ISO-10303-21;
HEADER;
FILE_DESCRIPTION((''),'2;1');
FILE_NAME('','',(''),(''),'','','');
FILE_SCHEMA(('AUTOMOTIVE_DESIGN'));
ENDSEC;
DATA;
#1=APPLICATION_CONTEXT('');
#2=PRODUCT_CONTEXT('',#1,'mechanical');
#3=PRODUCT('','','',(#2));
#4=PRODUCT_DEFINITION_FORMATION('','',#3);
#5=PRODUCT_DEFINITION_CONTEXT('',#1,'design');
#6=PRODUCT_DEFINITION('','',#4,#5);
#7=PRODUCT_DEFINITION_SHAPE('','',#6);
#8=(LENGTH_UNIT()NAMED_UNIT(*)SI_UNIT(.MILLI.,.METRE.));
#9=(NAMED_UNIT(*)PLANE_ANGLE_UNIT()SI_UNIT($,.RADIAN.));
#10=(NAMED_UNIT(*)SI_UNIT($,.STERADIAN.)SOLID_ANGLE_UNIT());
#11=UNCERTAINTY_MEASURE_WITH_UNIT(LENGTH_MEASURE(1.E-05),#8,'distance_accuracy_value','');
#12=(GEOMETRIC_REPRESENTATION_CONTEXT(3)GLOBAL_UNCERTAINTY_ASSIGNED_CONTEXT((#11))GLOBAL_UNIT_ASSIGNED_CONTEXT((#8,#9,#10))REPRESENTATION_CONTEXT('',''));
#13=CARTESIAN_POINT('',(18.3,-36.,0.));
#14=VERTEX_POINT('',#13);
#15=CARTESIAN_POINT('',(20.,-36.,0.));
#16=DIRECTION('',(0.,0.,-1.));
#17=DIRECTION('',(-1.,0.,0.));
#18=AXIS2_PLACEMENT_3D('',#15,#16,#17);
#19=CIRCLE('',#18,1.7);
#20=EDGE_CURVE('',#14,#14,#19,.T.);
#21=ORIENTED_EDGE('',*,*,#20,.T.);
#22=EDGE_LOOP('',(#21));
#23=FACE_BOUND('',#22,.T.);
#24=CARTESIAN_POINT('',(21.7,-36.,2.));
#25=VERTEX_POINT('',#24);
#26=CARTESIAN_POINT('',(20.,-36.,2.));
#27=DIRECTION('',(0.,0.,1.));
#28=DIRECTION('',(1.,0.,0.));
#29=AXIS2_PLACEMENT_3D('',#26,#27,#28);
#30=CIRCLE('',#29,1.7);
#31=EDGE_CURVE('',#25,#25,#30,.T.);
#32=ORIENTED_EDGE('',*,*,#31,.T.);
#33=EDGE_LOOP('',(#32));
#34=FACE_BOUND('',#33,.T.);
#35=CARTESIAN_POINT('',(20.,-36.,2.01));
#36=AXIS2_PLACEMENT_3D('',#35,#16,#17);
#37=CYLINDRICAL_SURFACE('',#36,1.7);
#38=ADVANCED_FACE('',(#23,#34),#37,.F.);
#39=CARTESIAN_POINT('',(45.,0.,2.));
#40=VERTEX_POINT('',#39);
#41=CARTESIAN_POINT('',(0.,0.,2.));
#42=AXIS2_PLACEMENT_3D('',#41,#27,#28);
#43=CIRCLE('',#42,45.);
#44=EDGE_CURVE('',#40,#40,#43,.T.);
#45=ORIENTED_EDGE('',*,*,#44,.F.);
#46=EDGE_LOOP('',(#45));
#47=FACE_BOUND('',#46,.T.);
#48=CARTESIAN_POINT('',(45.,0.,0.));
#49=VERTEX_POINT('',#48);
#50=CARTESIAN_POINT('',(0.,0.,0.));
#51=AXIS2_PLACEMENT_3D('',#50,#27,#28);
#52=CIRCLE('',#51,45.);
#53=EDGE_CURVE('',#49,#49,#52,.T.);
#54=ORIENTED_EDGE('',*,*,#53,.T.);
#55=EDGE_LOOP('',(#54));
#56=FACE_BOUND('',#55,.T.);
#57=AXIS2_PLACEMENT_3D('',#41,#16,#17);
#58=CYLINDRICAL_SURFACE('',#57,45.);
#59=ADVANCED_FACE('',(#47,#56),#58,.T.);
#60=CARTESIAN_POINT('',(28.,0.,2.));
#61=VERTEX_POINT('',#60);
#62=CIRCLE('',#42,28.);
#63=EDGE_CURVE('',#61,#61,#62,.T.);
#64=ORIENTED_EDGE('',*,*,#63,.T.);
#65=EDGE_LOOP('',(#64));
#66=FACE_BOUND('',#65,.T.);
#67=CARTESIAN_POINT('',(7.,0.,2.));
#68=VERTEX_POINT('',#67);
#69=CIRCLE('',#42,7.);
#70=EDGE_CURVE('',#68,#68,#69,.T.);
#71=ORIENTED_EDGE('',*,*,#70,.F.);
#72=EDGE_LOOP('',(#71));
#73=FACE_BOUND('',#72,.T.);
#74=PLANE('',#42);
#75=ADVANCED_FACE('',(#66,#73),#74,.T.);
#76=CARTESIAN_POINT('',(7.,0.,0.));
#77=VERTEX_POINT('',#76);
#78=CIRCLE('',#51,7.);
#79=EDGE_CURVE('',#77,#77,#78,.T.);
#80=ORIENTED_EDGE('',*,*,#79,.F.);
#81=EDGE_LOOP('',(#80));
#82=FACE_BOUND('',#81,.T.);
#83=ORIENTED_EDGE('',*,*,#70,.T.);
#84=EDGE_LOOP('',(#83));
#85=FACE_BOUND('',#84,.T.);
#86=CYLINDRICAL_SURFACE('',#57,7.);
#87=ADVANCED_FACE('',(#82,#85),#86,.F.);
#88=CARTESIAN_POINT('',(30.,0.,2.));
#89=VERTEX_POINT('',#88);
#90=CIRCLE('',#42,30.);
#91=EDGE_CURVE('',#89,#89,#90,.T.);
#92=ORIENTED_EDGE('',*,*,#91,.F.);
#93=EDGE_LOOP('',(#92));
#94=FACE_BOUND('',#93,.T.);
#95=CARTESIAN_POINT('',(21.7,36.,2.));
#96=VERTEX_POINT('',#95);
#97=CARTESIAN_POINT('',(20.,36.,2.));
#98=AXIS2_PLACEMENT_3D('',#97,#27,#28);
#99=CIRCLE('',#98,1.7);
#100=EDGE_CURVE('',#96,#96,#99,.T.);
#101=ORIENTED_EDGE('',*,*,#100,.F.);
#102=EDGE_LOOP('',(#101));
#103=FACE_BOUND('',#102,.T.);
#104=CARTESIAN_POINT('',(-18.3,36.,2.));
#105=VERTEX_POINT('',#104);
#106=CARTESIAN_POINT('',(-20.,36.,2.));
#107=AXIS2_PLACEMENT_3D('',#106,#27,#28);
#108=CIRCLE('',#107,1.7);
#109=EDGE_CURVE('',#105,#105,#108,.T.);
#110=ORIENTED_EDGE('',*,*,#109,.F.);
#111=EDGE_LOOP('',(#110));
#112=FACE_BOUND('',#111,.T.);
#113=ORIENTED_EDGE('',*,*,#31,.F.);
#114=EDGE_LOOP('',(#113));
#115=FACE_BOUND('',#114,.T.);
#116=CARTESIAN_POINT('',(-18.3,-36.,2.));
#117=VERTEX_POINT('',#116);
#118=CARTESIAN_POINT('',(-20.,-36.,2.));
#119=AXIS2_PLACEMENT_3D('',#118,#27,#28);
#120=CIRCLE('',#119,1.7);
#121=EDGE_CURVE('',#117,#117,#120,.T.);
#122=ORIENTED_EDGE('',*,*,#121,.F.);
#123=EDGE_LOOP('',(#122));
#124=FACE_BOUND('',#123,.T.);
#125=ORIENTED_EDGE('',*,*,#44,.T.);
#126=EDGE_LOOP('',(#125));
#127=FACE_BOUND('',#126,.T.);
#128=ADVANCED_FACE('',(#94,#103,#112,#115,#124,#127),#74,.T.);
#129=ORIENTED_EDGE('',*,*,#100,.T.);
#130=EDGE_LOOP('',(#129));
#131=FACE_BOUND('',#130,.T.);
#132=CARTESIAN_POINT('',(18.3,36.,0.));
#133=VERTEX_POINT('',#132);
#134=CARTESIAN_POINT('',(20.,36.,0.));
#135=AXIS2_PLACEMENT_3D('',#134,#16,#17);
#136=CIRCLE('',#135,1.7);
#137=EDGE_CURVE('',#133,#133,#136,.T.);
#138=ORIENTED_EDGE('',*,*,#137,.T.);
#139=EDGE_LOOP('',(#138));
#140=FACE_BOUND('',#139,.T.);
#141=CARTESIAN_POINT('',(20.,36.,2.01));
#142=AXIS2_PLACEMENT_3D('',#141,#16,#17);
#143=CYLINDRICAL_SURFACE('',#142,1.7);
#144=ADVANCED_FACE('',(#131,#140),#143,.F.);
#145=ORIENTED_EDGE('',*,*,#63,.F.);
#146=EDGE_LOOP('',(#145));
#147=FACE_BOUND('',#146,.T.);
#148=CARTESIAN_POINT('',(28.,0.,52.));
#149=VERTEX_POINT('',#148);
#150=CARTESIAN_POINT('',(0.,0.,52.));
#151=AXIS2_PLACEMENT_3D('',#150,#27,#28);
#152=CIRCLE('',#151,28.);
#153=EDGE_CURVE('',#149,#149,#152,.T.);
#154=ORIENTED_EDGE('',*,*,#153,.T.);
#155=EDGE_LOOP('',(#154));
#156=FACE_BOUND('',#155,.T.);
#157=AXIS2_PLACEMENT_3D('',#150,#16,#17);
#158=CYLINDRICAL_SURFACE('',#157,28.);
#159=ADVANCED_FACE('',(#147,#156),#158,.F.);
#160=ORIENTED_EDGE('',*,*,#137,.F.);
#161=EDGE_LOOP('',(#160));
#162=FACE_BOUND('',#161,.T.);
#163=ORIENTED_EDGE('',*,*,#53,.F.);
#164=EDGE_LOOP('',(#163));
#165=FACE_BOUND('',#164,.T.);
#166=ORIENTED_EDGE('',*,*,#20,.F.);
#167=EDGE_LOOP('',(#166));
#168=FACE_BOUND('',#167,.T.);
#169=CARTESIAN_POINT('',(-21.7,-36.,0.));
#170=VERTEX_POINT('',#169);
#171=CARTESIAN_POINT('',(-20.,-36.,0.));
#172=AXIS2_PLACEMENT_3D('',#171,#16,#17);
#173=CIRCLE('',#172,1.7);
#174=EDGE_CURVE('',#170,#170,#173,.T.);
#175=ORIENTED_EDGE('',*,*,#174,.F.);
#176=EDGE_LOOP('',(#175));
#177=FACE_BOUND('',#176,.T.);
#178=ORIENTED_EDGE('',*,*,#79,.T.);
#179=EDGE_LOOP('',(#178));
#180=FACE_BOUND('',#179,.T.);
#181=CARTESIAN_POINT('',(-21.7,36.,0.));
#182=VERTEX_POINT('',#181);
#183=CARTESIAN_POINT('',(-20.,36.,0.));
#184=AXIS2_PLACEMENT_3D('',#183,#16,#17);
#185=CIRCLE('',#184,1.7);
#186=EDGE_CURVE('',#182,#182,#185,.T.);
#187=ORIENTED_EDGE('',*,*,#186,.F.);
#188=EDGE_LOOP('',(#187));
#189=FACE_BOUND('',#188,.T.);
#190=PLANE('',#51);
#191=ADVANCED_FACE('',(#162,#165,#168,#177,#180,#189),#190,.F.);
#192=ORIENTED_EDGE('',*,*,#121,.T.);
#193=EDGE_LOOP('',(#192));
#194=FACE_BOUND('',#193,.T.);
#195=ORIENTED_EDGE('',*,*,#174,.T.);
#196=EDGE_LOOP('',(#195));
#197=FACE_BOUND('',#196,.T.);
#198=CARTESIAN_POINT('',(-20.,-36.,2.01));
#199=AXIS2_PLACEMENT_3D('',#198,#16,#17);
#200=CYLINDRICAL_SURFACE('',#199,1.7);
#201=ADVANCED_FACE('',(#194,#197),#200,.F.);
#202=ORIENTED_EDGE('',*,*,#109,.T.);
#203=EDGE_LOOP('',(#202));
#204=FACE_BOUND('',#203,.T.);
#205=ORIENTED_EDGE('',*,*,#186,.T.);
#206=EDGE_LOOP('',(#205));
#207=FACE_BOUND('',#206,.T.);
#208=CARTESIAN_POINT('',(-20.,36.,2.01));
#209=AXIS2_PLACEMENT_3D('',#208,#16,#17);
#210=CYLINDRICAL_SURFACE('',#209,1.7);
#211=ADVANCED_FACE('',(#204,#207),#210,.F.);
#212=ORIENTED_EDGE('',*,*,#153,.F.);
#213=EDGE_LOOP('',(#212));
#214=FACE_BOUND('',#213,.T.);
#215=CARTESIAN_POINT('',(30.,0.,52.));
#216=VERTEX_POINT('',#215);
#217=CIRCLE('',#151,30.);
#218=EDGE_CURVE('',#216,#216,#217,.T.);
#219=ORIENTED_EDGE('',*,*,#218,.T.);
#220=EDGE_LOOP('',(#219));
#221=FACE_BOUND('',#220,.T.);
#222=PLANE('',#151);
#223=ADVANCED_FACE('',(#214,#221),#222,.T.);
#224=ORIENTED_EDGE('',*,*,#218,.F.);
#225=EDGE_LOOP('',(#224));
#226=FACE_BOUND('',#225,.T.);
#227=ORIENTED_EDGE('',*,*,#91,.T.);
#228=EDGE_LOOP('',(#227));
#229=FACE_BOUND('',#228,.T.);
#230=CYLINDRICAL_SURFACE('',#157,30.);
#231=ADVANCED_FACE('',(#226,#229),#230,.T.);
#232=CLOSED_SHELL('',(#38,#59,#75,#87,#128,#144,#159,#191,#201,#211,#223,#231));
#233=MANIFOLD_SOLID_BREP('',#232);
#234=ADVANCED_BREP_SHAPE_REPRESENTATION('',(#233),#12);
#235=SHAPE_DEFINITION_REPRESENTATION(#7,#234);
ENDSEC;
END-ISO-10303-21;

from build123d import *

# Parameters (mm, degrees)
SKETCH1_R                        = 45
SKETCH1_R_2                      = 7
GUARD_FLANGE_DEPTH               = 2
COUPLING_CONTACT_COVER_START     = 2
SKETCH2_R                        = 30
SKETCH2_R_2                      = 28
COUPLING_CONTACT_COVER_DEPTH     = 50
SKETCH3_R                        = 1.7
FOUR_M3_GUARD_FIXING_HOLES_DEPTH = 2.01


with BuildPart() as part:
    # Sketch1 → Guard_Flange (new body)
    with BuildSketch(Plane.XY):
        Circle(SKETCH1_R)
        Circle(SKETCH1_R_2, mode=Mode.SUBTRACT)
    extrude(amount=GUARD_FLANGE_DEPTH)

    # Sketch2 → Coupling_Contact_Cover (add)
    with BuildSketch(Plane.XY.offset(COUPLING_CONTACT_COVER_START)):
        Circle(SKETCH2_R)
        Circle(SKETCH2_R_2, mode=Mode.SUBTRACT)
    extrude(amount=COUPLING_CONTACT_COVER_DEPTH)

    # Sketch3 → Four_M3_Guard_Fixing_Holes (cut)
    with BuildSketch(Plane(origin=(0, 0, 0), x_dir=(-1, 0, 0), z_dir=(0, 0, -1))):
        with Locations((20, -36)):
            Circle(SKETCH3_R)
        with Locations((20, 36)):
            Circle(SKETCH3_R)
        with Locations((-20, -36)):
            Circle(SKETCH3_R)
        with Locations((-20, 36)):
            Circle(SKETCH3_R)
    extrude(amount=-FOUR_M3_GUARD_FIXING_HOLES_DEPTH, mode=Mode.SUBTRACT)


solid = part.part
